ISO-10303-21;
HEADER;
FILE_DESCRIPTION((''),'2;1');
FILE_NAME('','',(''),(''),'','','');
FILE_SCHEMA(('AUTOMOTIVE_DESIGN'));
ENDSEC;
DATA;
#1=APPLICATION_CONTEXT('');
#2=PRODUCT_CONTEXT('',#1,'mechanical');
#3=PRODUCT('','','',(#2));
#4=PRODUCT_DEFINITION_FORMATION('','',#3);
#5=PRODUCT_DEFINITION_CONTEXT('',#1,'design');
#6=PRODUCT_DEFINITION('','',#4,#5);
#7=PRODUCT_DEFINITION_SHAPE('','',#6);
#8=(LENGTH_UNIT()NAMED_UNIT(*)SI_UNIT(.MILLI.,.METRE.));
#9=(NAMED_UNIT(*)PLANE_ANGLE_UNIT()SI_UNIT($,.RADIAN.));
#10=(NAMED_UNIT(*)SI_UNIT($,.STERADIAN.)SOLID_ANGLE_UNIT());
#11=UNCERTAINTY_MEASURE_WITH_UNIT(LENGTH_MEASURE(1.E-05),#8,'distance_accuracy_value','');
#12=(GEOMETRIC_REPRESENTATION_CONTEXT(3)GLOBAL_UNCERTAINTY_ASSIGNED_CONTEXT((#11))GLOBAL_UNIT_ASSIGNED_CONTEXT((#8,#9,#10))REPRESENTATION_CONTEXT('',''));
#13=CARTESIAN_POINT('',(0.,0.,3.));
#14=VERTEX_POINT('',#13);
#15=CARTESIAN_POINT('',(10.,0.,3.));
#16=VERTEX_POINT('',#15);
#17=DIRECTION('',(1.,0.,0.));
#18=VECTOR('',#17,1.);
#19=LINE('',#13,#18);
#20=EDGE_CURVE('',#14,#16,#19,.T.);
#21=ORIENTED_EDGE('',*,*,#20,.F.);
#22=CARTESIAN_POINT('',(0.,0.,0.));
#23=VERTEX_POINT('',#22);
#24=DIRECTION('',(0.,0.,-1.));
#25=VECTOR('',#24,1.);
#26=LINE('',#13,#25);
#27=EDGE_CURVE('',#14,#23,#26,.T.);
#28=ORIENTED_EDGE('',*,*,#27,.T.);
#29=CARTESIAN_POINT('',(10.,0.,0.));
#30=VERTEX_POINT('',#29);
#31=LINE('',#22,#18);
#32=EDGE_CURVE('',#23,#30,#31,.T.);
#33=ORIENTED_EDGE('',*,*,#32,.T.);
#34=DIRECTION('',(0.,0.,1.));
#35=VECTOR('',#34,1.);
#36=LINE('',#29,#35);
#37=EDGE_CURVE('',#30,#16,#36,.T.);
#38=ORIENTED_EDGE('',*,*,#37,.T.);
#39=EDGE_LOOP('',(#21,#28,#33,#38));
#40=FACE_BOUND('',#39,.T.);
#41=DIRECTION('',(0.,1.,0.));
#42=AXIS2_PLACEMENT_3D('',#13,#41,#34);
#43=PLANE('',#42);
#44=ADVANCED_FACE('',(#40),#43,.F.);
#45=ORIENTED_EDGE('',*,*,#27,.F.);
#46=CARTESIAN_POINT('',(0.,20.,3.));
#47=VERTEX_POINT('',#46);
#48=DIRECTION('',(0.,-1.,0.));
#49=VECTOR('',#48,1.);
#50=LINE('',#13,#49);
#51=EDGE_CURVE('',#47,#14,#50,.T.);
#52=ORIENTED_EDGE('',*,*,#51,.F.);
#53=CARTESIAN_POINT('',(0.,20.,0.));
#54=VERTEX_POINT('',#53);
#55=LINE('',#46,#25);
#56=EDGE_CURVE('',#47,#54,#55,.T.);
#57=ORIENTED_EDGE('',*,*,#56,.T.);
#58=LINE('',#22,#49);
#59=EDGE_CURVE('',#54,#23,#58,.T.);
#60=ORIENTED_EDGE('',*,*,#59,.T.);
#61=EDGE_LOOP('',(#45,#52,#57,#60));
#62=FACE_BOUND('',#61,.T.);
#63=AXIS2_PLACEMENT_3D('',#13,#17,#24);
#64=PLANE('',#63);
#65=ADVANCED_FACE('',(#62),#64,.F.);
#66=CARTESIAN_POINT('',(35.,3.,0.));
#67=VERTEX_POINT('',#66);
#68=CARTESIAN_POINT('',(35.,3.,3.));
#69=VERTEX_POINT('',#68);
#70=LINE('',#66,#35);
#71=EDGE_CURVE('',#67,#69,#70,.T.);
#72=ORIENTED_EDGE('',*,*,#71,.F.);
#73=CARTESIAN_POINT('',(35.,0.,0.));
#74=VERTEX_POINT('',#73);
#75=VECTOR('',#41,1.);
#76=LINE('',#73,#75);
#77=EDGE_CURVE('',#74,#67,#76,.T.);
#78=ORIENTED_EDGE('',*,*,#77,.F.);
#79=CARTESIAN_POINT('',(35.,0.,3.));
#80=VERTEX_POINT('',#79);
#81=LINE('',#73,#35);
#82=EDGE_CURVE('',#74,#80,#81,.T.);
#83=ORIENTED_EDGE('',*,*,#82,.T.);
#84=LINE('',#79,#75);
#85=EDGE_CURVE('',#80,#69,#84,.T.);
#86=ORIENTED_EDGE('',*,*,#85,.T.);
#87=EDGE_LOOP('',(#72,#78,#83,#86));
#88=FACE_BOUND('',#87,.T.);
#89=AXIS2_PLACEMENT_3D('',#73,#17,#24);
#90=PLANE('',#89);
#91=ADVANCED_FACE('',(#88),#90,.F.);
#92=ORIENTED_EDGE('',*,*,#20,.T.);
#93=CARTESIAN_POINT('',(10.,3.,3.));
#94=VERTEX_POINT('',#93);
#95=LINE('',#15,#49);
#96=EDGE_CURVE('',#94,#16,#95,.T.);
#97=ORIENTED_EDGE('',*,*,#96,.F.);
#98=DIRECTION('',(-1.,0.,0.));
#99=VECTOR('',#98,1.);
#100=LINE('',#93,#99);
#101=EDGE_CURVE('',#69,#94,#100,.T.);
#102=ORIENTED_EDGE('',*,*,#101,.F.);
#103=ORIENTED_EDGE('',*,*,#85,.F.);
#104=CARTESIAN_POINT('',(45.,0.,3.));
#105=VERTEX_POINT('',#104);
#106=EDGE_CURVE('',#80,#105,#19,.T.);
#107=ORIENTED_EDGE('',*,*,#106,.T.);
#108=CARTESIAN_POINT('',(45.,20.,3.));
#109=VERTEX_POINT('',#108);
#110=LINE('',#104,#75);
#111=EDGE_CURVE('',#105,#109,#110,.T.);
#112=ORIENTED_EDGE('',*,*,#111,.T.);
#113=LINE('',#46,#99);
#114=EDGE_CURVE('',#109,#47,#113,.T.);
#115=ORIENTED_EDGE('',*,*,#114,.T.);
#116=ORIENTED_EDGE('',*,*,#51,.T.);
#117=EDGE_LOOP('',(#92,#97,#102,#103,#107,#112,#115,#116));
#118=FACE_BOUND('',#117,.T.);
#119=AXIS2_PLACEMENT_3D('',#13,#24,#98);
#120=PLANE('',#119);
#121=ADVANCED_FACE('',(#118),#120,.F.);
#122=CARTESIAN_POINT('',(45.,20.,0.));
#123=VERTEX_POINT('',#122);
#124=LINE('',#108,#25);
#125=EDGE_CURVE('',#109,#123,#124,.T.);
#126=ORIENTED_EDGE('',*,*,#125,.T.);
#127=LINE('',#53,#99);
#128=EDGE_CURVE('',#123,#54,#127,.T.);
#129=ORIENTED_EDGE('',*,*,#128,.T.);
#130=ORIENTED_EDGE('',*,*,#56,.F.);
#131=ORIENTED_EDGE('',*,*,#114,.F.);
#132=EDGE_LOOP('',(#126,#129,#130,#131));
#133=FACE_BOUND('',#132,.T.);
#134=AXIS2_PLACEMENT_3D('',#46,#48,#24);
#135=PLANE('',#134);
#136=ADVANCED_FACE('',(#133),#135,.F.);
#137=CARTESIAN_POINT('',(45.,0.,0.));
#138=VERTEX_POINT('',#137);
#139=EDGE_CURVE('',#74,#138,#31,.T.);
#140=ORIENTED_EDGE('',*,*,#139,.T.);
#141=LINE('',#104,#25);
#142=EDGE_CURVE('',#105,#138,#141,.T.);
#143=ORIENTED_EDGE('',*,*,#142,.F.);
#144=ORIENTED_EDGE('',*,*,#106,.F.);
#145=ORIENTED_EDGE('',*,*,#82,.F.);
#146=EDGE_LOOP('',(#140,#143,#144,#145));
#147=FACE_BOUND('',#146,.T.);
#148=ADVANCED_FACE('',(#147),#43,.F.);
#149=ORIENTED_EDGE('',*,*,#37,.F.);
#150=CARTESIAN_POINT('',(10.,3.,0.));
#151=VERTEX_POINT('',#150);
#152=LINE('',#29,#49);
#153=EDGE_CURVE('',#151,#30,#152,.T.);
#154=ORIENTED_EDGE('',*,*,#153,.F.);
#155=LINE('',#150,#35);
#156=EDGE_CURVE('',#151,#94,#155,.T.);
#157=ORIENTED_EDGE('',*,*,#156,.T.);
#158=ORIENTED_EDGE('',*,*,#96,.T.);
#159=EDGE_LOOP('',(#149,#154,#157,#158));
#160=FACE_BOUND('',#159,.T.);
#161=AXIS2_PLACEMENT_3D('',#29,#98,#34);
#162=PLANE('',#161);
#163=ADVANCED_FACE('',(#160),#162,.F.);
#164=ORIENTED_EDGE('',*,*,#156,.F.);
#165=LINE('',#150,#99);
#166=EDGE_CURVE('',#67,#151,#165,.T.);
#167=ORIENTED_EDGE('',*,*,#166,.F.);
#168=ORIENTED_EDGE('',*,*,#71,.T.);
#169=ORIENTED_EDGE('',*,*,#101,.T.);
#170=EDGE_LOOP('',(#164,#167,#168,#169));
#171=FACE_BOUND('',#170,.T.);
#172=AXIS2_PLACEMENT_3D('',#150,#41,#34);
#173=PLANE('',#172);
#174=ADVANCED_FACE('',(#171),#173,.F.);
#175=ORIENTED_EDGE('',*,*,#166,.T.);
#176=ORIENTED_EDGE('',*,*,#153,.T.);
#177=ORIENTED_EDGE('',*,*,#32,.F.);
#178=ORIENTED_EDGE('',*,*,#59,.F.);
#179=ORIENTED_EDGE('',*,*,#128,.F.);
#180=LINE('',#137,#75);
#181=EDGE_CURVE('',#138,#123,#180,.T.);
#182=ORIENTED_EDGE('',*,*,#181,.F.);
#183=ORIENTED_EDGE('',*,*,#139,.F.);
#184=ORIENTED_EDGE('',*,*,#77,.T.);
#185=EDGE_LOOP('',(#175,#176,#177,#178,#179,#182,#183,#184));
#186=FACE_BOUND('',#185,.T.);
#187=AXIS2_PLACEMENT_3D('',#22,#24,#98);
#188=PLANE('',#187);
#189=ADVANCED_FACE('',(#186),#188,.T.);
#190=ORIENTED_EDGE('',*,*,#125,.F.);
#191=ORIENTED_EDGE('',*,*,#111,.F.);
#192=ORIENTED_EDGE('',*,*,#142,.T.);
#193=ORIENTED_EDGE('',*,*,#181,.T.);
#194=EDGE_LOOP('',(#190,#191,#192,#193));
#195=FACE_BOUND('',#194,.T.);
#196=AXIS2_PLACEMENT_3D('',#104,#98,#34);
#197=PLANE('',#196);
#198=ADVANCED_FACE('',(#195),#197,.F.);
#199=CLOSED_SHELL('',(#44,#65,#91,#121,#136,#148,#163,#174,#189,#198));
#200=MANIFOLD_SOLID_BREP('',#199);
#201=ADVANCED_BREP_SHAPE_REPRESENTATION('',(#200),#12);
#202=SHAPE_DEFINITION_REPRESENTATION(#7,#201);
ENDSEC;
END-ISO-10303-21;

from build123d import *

# Parameters (mm, degrees)
SKETCH1_W           = 45
SKETCH1_H           = 20
BOSS_EXTRUDE1_DEPTH = 3
SKETCH2_W           = 25
SKETCH2_H           = 3
CUT_EXTRUDE1_DEPTH  = 3


with BuildPart() as part:
    # Sketch1 → Boss-Extrude1 (new body)
    with BuildSketch(Plane.XY):
        with Locations((22.5, 10)):
            Rectangle(SKETCH1_W, SKETCH1_H)
    extrude(amount=BOSS_EXTRUDE1_DEPTH)

    # Sketch2 → Cut-Extrude1 (cut)
    with BuildSketch(Plane.XY.offset(3)):
        with Locations((22.5, 1.5)):
            Rectangle(SKETCH2_W, SKETCH2_H)
    extrude(amount=-CUT_EXTRUDE1_DEPTH, mode=Mode.SUBTRACT)


solid = part.part
